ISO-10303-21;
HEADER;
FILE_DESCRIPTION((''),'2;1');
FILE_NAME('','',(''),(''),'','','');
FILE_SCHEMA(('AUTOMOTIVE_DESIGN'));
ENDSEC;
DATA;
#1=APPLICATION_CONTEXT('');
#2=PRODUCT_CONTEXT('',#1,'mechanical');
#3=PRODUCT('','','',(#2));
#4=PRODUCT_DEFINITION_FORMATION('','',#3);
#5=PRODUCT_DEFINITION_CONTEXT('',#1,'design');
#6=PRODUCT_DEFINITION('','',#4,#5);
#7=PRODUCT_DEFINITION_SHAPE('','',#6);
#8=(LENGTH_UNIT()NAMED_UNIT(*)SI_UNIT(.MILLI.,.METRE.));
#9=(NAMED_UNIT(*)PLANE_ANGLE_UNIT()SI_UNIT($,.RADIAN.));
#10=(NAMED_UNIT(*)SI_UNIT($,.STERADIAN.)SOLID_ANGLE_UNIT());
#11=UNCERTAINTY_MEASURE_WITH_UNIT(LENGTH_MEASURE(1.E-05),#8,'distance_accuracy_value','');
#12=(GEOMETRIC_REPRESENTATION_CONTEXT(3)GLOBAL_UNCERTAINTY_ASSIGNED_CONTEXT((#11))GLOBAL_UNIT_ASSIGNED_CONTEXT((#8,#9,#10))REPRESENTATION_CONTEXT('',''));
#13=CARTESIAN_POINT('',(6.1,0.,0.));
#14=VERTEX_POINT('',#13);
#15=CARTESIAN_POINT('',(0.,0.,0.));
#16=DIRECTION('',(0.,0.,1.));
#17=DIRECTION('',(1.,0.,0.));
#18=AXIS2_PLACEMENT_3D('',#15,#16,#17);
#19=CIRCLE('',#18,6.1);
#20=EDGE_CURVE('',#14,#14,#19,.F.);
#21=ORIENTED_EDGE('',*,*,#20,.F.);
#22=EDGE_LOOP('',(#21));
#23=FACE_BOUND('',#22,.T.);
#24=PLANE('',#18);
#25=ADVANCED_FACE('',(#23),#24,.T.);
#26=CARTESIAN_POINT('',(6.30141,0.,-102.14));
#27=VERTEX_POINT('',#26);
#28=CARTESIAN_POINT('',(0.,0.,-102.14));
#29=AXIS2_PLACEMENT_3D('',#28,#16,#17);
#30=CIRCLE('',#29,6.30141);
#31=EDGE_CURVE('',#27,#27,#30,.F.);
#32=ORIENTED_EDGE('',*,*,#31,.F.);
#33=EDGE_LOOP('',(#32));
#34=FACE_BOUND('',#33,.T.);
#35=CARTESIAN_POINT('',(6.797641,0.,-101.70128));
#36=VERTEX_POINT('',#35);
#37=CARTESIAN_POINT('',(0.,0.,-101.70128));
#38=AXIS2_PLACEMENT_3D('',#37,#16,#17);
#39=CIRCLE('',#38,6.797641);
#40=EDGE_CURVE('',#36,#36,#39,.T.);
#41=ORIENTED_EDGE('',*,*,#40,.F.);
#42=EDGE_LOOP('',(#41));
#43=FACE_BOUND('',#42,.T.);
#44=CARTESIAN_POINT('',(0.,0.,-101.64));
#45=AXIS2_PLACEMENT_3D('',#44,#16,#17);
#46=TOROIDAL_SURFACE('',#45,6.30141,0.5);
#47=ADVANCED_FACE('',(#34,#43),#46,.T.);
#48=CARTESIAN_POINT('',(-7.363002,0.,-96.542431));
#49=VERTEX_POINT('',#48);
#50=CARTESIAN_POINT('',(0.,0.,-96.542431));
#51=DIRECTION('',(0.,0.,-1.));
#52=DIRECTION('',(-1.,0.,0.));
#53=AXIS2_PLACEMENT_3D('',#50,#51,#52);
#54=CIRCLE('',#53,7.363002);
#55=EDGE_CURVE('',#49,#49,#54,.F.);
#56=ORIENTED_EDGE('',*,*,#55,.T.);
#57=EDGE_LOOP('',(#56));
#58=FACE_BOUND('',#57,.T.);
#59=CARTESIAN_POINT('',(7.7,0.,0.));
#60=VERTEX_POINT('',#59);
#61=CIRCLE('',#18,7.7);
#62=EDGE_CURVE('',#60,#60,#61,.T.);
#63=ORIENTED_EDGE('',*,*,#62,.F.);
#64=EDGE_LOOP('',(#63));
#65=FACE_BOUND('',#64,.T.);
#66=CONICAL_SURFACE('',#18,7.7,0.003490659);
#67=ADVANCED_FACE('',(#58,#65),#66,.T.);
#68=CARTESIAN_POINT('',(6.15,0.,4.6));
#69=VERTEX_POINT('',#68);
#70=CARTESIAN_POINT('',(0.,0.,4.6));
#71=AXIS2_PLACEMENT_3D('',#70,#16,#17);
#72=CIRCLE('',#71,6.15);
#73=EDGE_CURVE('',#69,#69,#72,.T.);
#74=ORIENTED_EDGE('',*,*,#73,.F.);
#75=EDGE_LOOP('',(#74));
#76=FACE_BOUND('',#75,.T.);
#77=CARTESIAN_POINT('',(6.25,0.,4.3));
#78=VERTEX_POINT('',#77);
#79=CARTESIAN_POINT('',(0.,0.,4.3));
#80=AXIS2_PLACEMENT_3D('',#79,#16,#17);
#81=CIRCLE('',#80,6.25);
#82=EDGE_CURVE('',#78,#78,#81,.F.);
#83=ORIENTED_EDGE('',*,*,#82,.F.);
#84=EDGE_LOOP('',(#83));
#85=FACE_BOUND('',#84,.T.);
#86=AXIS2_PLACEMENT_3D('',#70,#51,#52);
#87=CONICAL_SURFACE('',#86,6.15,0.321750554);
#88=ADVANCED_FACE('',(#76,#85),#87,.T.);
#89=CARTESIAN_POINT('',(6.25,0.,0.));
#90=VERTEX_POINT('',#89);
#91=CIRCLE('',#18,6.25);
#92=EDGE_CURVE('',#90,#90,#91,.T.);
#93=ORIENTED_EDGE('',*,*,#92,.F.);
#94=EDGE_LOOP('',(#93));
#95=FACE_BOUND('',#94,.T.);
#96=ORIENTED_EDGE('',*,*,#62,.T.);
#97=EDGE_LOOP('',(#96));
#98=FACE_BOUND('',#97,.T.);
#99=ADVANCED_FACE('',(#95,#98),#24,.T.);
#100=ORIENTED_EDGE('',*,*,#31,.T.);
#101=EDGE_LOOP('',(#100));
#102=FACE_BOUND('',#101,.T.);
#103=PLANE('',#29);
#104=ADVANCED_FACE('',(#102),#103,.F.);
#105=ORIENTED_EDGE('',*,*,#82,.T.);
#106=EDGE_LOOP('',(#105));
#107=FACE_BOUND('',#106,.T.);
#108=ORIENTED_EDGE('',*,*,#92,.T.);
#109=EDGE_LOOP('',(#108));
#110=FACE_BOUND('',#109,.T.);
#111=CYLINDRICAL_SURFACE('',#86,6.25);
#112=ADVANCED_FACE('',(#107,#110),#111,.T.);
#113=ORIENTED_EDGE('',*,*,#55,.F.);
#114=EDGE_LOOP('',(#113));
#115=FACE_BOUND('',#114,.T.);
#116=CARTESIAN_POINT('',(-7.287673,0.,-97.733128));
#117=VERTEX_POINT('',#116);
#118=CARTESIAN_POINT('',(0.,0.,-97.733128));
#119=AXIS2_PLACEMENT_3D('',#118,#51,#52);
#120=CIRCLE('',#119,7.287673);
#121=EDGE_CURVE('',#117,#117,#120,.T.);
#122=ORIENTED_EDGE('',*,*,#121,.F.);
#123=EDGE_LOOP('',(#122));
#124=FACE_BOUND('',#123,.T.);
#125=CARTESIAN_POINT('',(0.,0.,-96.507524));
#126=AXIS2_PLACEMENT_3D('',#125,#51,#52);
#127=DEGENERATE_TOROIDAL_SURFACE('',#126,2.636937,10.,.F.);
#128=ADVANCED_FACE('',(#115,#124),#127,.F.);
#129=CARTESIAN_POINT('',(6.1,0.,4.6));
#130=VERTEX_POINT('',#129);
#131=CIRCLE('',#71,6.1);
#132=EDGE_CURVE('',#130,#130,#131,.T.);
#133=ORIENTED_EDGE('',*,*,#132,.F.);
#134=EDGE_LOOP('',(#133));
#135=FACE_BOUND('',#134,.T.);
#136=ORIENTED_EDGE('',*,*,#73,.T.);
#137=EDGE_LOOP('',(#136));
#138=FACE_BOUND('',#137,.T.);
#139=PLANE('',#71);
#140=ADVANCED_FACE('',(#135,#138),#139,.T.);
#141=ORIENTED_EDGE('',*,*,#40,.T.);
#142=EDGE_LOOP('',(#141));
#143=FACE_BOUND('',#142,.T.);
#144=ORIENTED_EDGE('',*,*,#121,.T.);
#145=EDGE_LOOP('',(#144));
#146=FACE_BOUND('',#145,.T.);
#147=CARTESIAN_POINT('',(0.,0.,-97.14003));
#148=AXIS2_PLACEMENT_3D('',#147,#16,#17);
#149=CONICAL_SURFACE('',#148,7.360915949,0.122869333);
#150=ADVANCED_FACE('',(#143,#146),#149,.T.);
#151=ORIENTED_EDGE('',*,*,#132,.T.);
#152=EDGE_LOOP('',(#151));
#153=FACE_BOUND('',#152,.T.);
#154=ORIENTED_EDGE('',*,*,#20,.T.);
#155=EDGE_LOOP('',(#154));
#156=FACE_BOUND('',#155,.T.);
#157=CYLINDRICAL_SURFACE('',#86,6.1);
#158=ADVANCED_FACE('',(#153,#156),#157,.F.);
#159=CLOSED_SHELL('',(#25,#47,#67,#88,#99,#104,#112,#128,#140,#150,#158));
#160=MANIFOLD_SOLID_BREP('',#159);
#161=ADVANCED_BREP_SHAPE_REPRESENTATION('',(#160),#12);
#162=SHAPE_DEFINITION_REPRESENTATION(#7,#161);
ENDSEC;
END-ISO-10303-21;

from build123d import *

# Parameters (mm, degrees)
SKETCH1_R           = 7.7
BOSS_EXTRUDE3_DEPTH = 102.14
BOSS_EXTRUDE3_DRAFT = -0.2
SKETCH3_R           = 6.25
SKETCH3_R_2         = 6.1
BOSS_EXTRUDE4_DEPTH = 4.6
CHAMFER1_SIZE       = 0.6
CHAMFER1_SIZE2      = 5
FILLET1_R           = 0.5
FILLET2_R           = 10
CHAMFER2_SIZE       = 0.3
CHAMFER2_SIZE2      = 0.1


with BuildPart() as part:
    # Sketch1 → Boss-Extrude3 (with draft: the straight prism first)
    with BuildSketch(Plane.XY):
        Circle(SKETCH1_R)
    extrude(amount=-BOSS_EXTRUDE3_DEPTH)
    # Boss-Extrude3: the draft: its side faces are tilted about the plane it starts from
    boss_extrude3_sides = [part.faces().sort_by_distance(p)[0] for p in [
        (-7.7, 0, -51.07),
    ]]
    draft(boss_extrude3_sides, Plane.XY, BOSS_EXTRUDE3_DRAFT)

    # Sketch3 → Boss-Extrude4 (add)
    with BuildSketch(Plane.XY):
        Circle(SKETCH3_R)
        Circle(SKETCH3_R_2, mode=Mode.SUBTRACT)
    extrude(amount=BOSS_EXTRUDE4_DEPTH)

    # Chamfer1
    chamfer1_edges = [part.edges().sort_by_distance(p)[0] for p in [
        (-7.343462692, 0, -102.14),
    ]]
    chamfer1_side = [part.faces().sort_by_distance(p)[0] for p in [
        (0, 0, -102.14),
    ]]
    chamfer(chamfer1_edges, length=CHAMFER1_SIZE, length2=CHAMFER1_SIZE2, reference=chamfer1_side[0])

    # Fillet1
    fillet1_edges = [part.edges().sort_by_distance(p)[0] for p in [
        (-6.743462692, 0, -102.14),
    ]]
    fillet(fillet1_edges, radius=FILLET1_R)

    # Fillet2
    fillet2_edges = [part.edges().sort_by_distance(p)[0] for p in [
        (-7.360915949, 0, -97.140030462),
    ]]
    fillet(fillet2_edges, radius=FILLET2_R)

    # Chamfer2
    chamfer2_edges = [part.edges().sort_by_distance(p)[0] for p in [
        (-6.25, 0, 4.6),
    ]]
    chamfer2_side = [part.faces().sort_by_distance(p)[0] for p in [
        (-6.25, 0, 2.3),
    ]]
    chamfer(chamfer2_edges, length=CHAMFER2_SIZE, length2=CHAMFER2_SIZE2, reference=chamfer2_side[0])


solid = part.part
